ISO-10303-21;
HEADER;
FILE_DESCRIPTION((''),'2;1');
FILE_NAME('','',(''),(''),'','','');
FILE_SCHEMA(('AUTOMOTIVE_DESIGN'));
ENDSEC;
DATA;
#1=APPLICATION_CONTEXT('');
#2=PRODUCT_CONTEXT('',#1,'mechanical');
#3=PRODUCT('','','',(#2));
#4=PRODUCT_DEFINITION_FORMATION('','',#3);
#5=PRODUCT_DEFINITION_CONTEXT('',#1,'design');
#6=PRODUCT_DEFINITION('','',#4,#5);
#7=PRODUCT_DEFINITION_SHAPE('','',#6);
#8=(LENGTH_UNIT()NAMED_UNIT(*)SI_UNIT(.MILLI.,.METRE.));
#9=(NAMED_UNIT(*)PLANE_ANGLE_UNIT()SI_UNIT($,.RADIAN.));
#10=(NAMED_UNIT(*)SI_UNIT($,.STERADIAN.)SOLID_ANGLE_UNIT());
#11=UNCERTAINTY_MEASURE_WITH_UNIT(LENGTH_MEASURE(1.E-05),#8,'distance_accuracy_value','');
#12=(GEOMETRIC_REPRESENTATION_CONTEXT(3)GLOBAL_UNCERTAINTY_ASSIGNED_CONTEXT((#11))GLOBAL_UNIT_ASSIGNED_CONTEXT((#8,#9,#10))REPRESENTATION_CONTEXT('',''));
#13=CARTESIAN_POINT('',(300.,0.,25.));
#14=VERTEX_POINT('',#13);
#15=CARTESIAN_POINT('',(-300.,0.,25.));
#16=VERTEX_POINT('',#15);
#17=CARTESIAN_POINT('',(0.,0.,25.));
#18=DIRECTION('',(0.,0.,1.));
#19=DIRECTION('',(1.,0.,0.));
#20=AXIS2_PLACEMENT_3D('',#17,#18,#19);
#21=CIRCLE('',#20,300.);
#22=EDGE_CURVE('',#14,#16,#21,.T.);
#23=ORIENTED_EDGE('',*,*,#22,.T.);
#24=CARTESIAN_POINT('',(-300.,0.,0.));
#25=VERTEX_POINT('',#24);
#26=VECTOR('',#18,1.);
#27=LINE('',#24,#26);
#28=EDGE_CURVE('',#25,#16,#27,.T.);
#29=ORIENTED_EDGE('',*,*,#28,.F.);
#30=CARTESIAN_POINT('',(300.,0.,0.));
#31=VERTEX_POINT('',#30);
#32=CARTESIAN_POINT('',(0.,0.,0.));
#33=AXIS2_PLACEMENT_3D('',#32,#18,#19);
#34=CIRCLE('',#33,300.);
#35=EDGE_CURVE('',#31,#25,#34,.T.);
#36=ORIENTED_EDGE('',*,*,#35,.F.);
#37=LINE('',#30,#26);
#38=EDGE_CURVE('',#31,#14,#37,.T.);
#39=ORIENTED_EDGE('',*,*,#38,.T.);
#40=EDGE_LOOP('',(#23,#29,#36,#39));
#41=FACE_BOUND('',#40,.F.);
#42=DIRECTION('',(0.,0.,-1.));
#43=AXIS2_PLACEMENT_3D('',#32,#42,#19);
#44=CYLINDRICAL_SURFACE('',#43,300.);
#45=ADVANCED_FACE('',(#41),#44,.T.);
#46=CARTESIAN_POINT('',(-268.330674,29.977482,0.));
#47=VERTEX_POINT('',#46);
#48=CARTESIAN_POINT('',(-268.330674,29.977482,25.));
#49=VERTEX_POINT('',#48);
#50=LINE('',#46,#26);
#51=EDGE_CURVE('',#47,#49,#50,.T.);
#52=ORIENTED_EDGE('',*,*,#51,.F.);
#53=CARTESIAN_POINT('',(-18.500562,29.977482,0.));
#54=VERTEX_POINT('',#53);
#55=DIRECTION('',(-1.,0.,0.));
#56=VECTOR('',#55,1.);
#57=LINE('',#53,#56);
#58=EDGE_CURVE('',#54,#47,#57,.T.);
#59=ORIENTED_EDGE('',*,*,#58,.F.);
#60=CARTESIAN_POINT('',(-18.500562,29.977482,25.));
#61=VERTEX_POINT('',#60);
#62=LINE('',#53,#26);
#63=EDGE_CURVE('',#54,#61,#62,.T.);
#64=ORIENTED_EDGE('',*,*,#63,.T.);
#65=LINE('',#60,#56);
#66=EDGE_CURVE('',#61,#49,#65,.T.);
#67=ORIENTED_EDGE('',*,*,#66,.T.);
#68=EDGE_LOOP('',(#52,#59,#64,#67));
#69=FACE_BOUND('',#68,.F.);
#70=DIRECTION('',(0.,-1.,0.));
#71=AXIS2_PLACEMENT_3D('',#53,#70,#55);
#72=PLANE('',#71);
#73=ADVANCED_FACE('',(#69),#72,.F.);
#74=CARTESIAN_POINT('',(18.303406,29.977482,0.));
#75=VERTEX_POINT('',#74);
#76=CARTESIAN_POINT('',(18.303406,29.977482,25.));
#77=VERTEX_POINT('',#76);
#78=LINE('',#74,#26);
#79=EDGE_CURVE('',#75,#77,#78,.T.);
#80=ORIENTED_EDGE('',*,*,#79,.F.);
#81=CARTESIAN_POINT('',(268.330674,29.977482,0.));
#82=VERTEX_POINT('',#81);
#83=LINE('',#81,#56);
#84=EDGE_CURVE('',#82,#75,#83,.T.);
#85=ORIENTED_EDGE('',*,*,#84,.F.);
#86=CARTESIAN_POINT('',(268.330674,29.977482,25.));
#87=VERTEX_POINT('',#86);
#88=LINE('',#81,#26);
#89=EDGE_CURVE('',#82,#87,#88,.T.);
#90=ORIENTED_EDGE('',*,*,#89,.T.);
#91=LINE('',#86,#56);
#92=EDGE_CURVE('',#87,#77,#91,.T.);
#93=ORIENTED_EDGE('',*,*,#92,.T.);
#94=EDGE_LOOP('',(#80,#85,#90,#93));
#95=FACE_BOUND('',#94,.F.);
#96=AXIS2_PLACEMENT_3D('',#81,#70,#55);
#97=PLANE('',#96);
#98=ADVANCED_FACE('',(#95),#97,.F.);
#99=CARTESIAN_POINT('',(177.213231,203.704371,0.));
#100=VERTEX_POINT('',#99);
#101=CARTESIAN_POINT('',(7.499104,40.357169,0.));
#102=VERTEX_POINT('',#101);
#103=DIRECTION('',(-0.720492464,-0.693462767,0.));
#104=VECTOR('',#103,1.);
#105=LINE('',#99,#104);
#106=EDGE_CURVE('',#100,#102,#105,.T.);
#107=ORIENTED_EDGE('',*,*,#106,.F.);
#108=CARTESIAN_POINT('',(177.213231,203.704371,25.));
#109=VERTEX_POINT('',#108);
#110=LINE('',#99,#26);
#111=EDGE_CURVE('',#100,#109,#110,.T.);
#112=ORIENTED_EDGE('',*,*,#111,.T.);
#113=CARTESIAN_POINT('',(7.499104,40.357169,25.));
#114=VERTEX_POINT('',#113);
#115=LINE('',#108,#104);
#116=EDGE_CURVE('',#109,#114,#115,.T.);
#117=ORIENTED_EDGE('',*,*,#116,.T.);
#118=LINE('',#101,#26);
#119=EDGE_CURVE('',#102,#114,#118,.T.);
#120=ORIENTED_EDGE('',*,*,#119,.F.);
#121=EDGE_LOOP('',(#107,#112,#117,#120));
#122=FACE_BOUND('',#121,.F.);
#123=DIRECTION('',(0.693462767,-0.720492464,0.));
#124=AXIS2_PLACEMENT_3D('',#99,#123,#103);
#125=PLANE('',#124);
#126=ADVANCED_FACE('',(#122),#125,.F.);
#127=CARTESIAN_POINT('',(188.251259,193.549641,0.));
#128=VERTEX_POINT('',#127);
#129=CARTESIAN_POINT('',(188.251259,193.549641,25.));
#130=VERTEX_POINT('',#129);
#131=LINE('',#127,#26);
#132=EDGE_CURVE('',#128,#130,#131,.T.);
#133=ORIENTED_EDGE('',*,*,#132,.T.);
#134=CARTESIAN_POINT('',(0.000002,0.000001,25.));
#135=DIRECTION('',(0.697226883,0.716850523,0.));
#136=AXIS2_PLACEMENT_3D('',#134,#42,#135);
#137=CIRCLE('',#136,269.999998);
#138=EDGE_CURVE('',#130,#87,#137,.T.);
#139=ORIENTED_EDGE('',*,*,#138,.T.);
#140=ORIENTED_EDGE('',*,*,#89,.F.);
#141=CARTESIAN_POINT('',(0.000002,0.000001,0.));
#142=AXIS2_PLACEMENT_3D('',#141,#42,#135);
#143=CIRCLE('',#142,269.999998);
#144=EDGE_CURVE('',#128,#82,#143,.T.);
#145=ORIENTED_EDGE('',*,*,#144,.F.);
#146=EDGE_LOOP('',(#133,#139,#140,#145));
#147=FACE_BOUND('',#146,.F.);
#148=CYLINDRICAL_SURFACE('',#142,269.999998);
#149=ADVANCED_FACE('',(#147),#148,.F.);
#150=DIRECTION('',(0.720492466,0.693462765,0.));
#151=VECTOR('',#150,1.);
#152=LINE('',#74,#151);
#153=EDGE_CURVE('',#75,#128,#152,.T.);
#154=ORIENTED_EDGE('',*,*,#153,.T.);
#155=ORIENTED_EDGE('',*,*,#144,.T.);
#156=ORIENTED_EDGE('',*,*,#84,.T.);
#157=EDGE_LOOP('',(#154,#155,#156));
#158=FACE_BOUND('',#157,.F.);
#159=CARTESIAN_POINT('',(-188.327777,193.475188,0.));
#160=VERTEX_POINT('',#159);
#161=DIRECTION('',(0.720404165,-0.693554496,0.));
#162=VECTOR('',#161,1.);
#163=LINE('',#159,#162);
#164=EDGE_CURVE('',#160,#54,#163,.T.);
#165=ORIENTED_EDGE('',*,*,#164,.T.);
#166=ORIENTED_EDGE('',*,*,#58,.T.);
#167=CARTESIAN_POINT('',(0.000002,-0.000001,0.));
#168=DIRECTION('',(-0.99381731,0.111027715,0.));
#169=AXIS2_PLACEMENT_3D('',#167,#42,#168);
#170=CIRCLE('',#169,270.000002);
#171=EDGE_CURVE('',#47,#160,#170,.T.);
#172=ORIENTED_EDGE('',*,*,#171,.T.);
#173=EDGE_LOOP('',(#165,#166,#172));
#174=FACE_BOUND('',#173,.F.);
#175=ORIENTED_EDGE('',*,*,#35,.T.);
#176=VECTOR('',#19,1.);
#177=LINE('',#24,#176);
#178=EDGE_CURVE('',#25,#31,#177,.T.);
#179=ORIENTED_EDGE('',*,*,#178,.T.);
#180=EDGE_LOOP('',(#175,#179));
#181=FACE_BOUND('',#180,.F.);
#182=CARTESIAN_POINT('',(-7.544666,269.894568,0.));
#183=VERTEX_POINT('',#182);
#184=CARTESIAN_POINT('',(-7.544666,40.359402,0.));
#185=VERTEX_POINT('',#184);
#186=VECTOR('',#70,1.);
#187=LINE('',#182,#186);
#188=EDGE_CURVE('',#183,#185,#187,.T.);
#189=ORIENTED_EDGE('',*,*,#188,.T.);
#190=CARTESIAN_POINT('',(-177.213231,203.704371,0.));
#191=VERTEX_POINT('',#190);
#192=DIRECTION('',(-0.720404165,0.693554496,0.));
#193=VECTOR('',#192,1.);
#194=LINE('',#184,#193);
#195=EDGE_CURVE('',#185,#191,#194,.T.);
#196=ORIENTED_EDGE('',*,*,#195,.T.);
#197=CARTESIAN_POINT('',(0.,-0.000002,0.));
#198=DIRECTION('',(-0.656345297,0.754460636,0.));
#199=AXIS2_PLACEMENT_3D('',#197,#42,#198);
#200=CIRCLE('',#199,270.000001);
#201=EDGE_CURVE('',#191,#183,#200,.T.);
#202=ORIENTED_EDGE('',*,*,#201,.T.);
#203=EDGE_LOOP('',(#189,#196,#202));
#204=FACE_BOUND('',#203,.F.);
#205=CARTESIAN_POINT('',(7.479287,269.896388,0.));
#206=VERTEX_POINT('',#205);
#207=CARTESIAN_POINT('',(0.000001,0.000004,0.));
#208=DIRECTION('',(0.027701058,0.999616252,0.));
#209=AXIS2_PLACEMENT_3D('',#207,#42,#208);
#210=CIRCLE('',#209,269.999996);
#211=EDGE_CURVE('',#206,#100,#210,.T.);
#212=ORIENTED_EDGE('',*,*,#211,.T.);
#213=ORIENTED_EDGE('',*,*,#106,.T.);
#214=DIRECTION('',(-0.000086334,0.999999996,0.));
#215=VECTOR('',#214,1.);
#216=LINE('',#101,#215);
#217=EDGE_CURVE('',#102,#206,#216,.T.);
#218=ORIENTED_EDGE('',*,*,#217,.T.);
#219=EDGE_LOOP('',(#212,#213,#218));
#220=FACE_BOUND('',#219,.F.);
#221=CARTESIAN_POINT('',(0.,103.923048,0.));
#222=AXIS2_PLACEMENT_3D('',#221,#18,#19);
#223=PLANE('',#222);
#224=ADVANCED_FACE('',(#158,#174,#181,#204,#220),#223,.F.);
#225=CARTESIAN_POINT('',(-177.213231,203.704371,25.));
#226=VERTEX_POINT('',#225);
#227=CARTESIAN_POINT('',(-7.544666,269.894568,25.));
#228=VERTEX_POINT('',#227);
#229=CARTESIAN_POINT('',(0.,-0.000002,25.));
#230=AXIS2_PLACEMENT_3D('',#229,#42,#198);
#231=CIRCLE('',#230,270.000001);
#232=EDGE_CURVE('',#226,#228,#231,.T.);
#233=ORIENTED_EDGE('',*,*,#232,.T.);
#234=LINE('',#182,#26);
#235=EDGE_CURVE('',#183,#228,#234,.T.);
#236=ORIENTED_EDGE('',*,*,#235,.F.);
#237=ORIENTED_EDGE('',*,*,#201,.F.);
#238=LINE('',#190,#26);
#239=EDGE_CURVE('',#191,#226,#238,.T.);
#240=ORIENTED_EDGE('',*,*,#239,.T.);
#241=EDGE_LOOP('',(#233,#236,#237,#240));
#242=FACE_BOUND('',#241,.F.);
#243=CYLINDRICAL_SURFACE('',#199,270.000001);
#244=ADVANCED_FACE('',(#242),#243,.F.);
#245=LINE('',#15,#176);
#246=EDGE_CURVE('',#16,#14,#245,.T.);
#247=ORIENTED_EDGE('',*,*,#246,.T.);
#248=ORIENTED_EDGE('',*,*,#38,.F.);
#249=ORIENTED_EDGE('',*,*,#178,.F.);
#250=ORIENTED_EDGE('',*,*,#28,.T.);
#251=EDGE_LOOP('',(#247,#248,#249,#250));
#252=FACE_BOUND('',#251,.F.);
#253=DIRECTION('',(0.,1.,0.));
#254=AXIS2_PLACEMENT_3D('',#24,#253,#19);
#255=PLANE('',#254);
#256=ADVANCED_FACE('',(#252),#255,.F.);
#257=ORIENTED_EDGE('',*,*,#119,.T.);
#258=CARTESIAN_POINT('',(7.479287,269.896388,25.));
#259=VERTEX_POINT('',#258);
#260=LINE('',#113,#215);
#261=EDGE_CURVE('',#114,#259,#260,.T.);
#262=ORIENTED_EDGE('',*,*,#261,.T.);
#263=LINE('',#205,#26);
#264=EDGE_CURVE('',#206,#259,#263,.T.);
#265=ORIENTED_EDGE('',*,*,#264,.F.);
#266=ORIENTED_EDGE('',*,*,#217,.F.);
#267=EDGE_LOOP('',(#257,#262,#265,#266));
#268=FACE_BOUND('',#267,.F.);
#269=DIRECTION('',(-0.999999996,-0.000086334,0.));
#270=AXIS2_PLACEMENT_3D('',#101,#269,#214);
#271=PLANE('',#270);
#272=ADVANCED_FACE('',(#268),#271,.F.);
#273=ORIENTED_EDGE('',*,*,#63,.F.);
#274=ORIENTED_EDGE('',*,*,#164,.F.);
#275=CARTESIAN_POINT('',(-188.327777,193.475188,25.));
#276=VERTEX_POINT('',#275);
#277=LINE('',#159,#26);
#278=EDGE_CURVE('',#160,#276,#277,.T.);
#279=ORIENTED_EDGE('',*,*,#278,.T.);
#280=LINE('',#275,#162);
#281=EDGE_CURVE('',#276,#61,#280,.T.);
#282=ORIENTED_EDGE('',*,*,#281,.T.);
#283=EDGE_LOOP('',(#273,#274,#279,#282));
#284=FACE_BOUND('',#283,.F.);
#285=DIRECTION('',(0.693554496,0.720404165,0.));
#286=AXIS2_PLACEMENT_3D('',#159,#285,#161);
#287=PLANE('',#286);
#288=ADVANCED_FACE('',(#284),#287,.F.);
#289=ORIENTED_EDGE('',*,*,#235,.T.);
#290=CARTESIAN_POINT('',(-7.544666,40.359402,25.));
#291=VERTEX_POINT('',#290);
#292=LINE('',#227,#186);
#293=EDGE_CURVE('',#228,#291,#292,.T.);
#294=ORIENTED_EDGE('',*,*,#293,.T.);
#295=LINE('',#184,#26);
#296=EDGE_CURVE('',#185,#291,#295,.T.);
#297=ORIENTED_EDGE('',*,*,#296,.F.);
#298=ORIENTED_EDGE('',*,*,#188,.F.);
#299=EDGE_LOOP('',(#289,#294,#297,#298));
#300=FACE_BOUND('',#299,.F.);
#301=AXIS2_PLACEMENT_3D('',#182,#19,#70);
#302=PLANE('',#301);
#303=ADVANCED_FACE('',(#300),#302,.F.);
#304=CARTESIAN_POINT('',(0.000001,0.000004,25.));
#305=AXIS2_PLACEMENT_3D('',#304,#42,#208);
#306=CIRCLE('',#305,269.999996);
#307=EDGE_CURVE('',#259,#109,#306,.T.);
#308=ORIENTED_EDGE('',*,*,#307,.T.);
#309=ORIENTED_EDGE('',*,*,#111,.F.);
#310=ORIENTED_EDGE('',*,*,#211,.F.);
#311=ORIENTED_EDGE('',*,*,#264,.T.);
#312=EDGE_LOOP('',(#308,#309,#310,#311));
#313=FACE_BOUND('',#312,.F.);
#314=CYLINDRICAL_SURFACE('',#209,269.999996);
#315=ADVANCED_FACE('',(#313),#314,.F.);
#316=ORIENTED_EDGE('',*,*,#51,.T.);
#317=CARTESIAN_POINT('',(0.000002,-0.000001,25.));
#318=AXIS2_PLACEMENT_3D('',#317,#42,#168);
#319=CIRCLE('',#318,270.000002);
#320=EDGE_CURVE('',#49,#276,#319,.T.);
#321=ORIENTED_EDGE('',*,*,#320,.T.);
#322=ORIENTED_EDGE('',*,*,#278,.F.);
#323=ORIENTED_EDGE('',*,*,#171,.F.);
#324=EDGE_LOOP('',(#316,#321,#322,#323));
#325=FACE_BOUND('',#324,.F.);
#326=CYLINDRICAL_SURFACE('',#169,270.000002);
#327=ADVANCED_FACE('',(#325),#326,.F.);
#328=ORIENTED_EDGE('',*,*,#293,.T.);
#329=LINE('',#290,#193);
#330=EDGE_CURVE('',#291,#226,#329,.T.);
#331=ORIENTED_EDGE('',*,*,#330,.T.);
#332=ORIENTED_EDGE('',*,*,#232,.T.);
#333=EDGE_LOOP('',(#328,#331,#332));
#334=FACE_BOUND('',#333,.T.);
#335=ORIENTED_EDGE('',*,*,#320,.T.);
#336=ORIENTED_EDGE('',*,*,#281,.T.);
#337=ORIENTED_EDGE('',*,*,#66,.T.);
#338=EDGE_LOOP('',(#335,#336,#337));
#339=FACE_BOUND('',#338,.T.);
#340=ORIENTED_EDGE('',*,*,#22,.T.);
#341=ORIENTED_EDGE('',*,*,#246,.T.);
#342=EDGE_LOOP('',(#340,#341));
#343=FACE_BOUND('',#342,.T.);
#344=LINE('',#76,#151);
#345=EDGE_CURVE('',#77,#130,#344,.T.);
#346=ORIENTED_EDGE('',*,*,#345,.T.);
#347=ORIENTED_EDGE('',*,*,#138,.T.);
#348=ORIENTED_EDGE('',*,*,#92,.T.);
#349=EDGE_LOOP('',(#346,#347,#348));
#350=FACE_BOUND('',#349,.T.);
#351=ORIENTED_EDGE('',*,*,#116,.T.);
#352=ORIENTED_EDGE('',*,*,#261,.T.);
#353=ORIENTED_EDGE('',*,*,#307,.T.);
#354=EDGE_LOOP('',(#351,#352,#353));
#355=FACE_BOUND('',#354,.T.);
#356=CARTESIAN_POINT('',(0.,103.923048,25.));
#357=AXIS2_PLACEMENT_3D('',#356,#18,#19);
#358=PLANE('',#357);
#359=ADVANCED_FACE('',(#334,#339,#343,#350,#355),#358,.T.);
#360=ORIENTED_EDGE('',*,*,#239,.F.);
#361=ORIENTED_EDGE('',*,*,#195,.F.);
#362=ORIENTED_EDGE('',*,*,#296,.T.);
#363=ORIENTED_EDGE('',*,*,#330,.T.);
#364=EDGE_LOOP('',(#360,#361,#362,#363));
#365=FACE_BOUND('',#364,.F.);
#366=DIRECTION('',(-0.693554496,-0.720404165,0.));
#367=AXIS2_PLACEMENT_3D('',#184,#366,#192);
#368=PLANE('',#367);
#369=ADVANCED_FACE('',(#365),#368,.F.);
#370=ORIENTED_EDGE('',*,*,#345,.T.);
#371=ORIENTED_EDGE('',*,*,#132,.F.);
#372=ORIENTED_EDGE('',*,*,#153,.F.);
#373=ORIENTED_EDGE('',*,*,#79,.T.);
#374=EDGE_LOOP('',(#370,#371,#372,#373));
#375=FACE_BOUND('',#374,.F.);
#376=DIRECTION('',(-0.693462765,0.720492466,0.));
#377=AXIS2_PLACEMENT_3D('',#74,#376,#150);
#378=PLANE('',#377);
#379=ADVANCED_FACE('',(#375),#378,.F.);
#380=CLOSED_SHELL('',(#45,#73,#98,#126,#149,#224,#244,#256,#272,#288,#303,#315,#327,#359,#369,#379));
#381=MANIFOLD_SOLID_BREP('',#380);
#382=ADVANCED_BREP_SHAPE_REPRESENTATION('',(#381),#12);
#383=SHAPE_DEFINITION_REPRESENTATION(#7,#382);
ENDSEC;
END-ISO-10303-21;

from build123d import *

# Parameters (mm, degrees)
F1_DEPTH = 25


with BuildPart() as f1:
    # F0 (on Top) → F1 (new body)
    with BuildSketch(Plane.XY):
        with BuildLine():
            Line((0, 0), (300, 0))
            ThreePointArc((300, 0), (0, 300), (-300, 0))
            Line((-300, 0), (0, 0))
        make_face()
        with BuildLine():
            Line((-18.500562, 29.977482), (-268.330674, 29.977482))
            ThreePointArc((-268.330674, 29.977482), (-242.522391, 118.671352), (-188.327777, 193.475188))
            Line((-188.327777, 193.475188), (-18.500562, 29.977482))
        make_face(mode=Mode.SUBTRACT)
        with BuildLine():
            ThreePointArc((188.251259, 193.549641), (242.498924, 118.719299), (268.330674, 29.977482))
            Line((268.330674, 29.977482), (18.303406, 29.977482))
            Line((18.303406, 29.977482), (188.251259, 193.549641))
        make_face(mode=Mode.SUBTRACT)
        with BuildLine():
            Line((-7.544666, 269.894568), (-7.544666, 40.359402))
            Line((-7.544666, 40.359402), (-177.213231, 203.704371))
            ThreePointArc((-177.213231, 203.704371), (-98.128261, 251.536964), (-7.544666, 269.894568))
        make_face(mode=Mode.SUBTRACT)
        with BuildLine():
            Line((177.213231, 203.704371), (7.499104, 40.357169))
            Line((7.499104, 40.357169), (7.479287, 269.896388))
            ThreePointArc((7.479287, 269.896388), (98.097794, 251.548848), (177.213231, 203.704371))
        make_face(mode=Mode.SUBTRACT)
    extrude(amount=F1_DEPTH)


solid = f1.part
